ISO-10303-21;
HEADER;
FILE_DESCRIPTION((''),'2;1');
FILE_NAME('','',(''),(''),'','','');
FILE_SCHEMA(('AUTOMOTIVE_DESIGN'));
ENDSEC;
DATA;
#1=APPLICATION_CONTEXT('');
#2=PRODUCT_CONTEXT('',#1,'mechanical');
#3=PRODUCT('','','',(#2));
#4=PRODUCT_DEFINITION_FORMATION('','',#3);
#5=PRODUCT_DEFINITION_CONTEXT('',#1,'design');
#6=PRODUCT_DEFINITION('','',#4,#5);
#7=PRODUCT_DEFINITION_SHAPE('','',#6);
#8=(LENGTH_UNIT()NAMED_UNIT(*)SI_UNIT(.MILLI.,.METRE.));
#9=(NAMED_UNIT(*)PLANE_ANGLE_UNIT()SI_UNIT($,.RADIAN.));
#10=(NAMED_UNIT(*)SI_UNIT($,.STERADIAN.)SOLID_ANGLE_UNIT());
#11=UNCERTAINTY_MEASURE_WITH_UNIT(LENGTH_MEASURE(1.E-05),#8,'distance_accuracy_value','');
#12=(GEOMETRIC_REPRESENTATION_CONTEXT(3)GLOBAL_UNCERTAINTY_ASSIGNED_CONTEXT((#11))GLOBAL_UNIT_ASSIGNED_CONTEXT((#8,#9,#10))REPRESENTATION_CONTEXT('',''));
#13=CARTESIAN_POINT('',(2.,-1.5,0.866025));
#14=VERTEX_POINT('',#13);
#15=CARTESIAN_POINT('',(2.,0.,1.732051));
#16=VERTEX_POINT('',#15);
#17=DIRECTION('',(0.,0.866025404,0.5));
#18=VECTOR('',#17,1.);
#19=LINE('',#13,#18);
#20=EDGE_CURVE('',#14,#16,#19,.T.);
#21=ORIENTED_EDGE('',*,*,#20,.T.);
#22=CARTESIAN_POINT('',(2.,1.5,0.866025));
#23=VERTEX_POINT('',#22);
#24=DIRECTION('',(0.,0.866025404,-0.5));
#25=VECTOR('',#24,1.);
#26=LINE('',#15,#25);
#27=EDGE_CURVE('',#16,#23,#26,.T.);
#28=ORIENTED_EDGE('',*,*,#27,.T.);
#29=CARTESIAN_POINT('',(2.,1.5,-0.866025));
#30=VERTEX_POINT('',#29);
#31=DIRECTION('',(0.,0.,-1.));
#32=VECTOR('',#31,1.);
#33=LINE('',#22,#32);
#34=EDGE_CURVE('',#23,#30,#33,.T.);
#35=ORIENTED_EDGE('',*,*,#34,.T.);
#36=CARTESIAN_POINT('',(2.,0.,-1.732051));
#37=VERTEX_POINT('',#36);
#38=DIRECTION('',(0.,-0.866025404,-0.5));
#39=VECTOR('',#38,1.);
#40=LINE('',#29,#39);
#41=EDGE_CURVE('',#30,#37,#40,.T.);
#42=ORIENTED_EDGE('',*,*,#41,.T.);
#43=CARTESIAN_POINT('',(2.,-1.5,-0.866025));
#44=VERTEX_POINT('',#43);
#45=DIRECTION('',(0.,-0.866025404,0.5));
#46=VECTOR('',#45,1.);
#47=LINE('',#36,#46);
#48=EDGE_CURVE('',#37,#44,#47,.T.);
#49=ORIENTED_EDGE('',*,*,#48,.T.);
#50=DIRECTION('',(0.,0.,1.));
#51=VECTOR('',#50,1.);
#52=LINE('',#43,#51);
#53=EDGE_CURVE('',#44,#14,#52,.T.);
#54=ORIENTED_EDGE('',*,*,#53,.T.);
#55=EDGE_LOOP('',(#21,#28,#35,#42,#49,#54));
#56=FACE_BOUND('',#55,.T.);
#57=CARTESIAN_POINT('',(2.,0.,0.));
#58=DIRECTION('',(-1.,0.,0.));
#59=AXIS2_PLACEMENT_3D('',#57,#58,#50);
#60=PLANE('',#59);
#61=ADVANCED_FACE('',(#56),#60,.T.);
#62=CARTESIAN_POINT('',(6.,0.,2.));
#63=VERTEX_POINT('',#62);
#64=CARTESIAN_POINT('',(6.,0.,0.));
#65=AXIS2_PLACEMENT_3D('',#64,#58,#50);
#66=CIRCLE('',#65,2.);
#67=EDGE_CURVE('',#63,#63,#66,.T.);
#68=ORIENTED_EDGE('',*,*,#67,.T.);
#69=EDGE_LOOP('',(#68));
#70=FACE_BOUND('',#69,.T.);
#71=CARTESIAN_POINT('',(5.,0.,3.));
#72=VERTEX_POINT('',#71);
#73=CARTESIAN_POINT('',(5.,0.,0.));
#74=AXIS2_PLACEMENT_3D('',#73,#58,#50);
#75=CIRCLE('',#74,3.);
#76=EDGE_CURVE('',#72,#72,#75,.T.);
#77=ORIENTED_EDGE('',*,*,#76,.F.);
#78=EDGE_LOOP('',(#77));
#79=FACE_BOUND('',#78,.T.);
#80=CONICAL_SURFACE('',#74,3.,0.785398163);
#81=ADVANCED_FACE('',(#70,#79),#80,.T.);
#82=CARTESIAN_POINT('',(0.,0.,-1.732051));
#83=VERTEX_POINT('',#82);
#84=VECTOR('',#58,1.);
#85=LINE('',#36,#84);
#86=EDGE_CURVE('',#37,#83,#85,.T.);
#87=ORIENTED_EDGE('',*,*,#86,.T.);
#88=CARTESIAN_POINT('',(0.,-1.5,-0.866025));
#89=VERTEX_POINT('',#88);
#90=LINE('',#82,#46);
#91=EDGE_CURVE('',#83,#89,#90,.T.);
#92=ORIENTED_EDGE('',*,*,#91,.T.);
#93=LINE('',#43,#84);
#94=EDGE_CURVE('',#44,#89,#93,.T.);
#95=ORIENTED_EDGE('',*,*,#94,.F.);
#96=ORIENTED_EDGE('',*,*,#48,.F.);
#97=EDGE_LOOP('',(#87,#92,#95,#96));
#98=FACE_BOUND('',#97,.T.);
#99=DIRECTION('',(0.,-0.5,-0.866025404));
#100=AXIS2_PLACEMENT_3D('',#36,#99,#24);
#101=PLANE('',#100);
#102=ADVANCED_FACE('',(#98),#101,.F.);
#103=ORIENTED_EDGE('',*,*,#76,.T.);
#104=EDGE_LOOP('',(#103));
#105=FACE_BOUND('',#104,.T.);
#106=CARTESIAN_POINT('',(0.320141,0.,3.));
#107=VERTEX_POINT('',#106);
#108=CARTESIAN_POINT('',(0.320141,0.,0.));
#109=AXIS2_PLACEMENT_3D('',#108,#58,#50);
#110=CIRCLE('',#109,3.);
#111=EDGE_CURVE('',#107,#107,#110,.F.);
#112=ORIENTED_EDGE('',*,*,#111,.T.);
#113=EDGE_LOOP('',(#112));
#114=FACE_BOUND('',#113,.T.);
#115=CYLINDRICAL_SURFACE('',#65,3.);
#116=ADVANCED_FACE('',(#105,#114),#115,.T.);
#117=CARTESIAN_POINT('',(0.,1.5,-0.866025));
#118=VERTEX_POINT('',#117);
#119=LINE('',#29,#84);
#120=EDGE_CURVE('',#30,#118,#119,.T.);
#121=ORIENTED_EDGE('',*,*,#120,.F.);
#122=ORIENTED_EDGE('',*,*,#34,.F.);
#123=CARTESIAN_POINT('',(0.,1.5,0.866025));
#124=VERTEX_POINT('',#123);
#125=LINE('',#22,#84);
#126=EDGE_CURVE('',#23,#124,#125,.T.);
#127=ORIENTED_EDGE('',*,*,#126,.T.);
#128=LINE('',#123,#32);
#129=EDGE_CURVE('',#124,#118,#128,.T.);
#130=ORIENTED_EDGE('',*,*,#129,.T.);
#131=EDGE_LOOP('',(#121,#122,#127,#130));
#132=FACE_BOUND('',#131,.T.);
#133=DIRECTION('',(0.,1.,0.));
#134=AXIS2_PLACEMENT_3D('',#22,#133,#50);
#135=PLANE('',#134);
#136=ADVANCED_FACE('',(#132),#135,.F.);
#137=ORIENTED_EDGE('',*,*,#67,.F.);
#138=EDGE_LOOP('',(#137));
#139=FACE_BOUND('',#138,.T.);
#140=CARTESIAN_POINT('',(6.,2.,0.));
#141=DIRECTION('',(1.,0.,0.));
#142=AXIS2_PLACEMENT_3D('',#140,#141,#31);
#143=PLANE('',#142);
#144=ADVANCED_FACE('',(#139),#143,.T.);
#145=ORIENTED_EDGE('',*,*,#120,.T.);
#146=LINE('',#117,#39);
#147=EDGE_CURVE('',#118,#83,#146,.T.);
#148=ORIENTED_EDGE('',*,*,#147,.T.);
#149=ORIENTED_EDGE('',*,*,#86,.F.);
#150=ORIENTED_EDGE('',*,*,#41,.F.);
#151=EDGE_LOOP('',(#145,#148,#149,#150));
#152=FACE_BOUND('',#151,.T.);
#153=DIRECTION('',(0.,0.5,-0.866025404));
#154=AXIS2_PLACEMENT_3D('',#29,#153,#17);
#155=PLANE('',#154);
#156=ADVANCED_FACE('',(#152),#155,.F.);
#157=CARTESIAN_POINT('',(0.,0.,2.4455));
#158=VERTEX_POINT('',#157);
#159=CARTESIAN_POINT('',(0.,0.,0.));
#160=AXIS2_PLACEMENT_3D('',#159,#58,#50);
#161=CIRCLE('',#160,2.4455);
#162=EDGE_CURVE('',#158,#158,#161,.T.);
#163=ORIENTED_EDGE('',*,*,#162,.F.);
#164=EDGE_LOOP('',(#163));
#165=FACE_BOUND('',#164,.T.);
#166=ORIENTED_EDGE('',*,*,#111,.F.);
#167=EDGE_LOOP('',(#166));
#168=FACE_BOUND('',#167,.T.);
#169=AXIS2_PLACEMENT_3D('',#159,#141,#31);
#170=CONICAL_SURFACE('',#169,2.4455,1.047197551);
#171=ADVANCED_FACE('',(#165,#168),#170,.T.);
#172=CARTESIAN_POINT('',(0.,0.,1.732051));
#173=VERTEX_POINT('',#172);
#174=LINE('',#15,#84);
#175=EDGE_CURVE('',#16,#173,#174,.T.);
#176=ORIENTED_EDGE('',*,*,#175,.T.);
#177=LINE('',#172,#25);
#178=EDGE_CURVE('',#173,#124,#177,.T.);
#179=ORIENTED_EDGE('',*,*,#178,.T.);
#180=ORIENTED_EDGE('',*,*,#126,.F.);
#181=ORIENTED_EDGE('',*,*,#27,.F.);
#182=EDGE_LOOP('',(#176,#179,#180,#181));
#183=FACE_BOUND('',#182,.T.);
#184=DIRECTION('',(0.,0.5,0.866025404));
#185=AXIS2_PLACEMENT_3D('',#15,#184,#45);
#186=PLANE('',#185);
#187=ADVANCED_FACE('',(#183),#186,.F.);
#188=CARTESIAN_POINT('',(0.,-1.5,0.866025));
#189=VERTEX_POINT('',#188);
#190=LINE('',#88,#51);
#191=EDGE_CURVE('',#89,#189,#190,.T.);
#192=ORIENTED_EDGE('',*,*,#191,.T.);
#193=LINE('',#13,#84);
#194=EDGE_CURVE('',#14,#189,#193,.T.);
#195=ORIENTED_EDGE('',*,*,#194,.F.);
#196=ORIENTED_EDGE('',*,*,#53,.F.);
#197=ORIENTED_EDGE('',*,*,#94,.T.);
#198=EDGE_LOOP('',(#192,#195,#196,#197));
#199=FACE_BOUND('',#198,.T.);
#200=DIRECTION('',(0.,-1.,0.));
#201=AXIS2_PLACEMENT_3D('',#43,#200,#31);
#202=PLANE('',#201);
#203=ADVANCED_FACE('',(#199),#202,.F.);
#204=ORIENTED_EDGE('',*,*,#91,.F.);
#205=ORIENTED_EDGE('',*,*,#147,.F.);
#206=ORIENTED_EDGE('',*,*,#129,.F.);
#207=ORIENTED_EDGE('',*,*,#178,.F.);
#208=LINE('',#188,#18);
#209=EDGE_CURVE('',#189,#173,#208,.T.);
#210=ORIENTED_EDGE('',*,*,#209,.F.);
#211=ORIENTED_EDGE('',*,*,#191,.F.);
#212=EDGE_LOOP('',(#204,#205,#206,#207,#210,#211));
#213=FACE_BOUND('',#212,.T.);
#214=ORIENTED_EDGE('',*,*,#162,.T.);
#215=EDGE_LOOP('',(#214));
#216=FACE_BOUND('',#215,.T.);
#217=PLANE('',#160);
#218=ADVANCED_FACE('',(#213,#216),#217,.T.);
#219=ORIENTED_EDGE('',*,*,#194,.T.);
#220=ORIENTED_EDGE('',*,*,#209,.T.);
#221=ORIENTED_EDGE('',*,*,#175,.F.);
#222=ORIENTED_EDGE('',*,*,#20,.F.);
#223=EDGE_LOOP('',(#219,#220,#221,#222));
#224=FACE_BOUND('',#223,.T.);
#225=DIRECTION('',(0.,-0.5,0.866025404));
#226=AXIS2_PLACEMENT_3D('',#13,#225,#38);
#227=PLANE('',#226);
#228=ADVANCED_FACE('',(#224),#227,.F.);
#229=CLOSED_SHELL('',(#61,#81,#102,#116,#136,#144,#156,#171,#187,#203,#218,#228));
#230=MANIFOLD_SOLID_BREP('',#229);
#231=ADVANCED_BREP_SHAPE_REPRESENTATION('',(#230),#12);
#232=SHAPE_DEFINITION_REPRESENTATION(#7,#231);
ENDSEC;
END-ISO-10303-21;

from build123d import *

# Parameters (mm, degrees)
CUT_EXTRUDE_1_DEPTH = 2
CHAMFER_1_SIZE      = 0.5545
CHAMFER_1_SIZE2     = 0.320140724


with BuildPart() as part:
    # Эскиз1 → Повернуть1 (revolve)
    with BuildSketch(Plane(origin=(0, 0, 0), x_dir=(-1, 0, 0), z_dir=(0, 0, -1))):
        Polygon((-6, 2), (-6, 0), (0, 0), (0, 3), (-5, 3), align=None)
    revolve(axis=Axis((6, 0, 0), (-1, 0, 0)))

    # Эскиз2 → Вырез-Вытянуть1 (cut)
    with BuildSketch(Plane.ZY):
        Polygon((1.732050808, 0), (0.866025404, 1.5), (-0.866025404, 1.5), (-1.732050808, 0), (-0.866025404, -1.5), (0.866025404, -1.5), align=None)
    extrude(amount=-CUT_EXTRUDE_1_DEPTH, mode=Mode.SUBTRACT)

    # Фаска1
    chamfer_1_edges = [part.edges().sort_by_distance(p)[0] for p in [
        (0, -3, 0),
    ]]
    chamfer_1_side = [part.faces().sort_by_distance(p)[0] for p in [
        (0, -2.915147186, 0),
    ]]
    chamfer(chamfer_1_edges, length=CHAMFER_1_SIZE, length2=CHAMFER_1_SIZE2, reference=chamfer_1_side[0])


solid = part.part
